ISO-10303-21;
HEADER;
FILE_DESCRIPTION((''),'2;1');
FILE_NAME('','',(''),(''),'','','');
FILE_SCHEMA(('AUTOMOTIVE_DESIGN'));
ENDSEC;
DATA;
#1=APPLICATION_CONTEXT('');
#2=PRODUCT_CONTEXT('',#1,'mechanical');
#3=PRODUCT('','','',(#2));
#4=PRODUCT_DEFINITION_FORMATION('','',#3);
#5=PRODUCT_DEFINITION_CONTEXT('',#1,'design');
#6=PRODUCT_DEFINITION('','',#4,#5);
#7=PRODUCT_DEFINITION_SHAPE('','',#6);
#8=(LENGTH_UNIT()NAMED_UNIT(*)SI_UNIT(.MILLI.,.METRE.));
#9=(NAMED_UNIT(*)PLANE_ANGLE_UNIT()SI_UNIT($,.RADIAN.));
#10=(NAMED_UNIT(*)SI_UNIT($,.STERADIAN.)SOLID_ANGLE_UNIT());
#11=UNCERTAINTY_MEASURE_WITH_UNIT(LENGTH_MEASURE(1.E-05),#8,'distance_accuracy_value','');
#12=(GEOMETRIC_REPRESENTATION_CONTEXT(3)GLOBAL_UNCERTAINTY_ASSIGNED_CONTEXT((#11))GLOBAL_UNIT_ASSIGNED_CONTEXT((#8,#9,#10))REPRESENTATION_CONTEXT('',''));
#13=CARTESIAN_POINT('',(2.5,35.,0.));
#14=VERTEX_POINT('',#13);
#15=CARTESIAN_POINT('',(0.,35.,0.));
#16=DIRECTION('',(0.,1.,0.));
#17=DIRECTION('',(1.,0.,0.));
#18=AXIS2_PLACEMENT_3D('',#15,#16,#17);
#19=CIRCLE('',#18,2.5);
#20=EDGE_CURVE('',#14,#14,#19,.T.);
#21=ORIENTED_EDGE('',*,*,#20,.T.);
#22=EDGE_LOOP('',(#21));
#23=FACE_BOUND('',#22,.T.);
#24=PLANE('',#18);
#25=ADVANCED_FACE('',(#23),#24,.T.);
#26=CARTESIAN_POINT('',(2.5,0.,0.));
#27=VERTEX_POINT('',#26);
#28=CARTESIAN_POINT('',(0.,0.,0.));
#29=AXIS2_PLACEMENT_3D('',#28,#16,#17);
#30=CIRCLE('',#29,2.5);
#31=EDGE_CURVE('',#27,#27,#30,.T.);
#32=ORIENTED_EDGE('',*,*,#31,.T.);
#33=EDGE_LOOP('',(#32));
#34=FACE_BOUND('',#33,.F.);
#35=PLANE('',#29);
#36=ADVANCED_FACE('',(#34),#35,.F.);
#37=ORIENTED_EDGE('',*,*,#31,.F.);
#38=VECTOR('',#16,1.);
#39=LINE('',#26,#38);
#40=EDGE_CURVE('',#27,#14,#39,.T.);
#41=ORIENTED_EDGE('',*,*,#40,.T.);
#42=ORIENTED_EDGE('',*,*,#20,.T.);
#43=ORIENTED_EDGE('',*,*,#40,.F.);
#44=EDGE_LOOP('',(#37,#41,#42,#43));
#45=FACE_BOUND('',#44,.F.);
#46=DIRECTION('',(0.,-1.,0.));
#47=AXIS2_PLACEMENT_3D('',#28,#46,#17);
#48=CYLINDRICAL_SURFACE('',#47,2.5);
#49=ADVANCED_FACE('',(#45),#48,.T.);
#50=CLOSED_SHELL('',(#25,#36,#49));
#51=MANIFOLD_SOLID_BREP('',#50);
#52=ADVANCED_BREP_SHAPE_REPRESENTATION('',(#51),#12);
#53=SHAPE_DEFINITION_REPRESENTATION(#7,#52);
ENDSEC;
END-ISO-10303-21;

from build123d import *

# Parameters (mm, degrees)
SKETCH1_R           = 2.5
BOSS_EXTRUDE1_DEPTH = 35


with BuildPart() as part:
    # Sketch1 → Boss-Extrude1 (new body)
    with BuildSketch(Plane(origin=(0, 0, 0), x_dir=(1, 0, 0), z_dir=(0, 1, 0))):
        Circle(SKETCH1_R)
    extrude(amount=BOSS_EXTRUDE1_DEPTH)


solid = part.part
